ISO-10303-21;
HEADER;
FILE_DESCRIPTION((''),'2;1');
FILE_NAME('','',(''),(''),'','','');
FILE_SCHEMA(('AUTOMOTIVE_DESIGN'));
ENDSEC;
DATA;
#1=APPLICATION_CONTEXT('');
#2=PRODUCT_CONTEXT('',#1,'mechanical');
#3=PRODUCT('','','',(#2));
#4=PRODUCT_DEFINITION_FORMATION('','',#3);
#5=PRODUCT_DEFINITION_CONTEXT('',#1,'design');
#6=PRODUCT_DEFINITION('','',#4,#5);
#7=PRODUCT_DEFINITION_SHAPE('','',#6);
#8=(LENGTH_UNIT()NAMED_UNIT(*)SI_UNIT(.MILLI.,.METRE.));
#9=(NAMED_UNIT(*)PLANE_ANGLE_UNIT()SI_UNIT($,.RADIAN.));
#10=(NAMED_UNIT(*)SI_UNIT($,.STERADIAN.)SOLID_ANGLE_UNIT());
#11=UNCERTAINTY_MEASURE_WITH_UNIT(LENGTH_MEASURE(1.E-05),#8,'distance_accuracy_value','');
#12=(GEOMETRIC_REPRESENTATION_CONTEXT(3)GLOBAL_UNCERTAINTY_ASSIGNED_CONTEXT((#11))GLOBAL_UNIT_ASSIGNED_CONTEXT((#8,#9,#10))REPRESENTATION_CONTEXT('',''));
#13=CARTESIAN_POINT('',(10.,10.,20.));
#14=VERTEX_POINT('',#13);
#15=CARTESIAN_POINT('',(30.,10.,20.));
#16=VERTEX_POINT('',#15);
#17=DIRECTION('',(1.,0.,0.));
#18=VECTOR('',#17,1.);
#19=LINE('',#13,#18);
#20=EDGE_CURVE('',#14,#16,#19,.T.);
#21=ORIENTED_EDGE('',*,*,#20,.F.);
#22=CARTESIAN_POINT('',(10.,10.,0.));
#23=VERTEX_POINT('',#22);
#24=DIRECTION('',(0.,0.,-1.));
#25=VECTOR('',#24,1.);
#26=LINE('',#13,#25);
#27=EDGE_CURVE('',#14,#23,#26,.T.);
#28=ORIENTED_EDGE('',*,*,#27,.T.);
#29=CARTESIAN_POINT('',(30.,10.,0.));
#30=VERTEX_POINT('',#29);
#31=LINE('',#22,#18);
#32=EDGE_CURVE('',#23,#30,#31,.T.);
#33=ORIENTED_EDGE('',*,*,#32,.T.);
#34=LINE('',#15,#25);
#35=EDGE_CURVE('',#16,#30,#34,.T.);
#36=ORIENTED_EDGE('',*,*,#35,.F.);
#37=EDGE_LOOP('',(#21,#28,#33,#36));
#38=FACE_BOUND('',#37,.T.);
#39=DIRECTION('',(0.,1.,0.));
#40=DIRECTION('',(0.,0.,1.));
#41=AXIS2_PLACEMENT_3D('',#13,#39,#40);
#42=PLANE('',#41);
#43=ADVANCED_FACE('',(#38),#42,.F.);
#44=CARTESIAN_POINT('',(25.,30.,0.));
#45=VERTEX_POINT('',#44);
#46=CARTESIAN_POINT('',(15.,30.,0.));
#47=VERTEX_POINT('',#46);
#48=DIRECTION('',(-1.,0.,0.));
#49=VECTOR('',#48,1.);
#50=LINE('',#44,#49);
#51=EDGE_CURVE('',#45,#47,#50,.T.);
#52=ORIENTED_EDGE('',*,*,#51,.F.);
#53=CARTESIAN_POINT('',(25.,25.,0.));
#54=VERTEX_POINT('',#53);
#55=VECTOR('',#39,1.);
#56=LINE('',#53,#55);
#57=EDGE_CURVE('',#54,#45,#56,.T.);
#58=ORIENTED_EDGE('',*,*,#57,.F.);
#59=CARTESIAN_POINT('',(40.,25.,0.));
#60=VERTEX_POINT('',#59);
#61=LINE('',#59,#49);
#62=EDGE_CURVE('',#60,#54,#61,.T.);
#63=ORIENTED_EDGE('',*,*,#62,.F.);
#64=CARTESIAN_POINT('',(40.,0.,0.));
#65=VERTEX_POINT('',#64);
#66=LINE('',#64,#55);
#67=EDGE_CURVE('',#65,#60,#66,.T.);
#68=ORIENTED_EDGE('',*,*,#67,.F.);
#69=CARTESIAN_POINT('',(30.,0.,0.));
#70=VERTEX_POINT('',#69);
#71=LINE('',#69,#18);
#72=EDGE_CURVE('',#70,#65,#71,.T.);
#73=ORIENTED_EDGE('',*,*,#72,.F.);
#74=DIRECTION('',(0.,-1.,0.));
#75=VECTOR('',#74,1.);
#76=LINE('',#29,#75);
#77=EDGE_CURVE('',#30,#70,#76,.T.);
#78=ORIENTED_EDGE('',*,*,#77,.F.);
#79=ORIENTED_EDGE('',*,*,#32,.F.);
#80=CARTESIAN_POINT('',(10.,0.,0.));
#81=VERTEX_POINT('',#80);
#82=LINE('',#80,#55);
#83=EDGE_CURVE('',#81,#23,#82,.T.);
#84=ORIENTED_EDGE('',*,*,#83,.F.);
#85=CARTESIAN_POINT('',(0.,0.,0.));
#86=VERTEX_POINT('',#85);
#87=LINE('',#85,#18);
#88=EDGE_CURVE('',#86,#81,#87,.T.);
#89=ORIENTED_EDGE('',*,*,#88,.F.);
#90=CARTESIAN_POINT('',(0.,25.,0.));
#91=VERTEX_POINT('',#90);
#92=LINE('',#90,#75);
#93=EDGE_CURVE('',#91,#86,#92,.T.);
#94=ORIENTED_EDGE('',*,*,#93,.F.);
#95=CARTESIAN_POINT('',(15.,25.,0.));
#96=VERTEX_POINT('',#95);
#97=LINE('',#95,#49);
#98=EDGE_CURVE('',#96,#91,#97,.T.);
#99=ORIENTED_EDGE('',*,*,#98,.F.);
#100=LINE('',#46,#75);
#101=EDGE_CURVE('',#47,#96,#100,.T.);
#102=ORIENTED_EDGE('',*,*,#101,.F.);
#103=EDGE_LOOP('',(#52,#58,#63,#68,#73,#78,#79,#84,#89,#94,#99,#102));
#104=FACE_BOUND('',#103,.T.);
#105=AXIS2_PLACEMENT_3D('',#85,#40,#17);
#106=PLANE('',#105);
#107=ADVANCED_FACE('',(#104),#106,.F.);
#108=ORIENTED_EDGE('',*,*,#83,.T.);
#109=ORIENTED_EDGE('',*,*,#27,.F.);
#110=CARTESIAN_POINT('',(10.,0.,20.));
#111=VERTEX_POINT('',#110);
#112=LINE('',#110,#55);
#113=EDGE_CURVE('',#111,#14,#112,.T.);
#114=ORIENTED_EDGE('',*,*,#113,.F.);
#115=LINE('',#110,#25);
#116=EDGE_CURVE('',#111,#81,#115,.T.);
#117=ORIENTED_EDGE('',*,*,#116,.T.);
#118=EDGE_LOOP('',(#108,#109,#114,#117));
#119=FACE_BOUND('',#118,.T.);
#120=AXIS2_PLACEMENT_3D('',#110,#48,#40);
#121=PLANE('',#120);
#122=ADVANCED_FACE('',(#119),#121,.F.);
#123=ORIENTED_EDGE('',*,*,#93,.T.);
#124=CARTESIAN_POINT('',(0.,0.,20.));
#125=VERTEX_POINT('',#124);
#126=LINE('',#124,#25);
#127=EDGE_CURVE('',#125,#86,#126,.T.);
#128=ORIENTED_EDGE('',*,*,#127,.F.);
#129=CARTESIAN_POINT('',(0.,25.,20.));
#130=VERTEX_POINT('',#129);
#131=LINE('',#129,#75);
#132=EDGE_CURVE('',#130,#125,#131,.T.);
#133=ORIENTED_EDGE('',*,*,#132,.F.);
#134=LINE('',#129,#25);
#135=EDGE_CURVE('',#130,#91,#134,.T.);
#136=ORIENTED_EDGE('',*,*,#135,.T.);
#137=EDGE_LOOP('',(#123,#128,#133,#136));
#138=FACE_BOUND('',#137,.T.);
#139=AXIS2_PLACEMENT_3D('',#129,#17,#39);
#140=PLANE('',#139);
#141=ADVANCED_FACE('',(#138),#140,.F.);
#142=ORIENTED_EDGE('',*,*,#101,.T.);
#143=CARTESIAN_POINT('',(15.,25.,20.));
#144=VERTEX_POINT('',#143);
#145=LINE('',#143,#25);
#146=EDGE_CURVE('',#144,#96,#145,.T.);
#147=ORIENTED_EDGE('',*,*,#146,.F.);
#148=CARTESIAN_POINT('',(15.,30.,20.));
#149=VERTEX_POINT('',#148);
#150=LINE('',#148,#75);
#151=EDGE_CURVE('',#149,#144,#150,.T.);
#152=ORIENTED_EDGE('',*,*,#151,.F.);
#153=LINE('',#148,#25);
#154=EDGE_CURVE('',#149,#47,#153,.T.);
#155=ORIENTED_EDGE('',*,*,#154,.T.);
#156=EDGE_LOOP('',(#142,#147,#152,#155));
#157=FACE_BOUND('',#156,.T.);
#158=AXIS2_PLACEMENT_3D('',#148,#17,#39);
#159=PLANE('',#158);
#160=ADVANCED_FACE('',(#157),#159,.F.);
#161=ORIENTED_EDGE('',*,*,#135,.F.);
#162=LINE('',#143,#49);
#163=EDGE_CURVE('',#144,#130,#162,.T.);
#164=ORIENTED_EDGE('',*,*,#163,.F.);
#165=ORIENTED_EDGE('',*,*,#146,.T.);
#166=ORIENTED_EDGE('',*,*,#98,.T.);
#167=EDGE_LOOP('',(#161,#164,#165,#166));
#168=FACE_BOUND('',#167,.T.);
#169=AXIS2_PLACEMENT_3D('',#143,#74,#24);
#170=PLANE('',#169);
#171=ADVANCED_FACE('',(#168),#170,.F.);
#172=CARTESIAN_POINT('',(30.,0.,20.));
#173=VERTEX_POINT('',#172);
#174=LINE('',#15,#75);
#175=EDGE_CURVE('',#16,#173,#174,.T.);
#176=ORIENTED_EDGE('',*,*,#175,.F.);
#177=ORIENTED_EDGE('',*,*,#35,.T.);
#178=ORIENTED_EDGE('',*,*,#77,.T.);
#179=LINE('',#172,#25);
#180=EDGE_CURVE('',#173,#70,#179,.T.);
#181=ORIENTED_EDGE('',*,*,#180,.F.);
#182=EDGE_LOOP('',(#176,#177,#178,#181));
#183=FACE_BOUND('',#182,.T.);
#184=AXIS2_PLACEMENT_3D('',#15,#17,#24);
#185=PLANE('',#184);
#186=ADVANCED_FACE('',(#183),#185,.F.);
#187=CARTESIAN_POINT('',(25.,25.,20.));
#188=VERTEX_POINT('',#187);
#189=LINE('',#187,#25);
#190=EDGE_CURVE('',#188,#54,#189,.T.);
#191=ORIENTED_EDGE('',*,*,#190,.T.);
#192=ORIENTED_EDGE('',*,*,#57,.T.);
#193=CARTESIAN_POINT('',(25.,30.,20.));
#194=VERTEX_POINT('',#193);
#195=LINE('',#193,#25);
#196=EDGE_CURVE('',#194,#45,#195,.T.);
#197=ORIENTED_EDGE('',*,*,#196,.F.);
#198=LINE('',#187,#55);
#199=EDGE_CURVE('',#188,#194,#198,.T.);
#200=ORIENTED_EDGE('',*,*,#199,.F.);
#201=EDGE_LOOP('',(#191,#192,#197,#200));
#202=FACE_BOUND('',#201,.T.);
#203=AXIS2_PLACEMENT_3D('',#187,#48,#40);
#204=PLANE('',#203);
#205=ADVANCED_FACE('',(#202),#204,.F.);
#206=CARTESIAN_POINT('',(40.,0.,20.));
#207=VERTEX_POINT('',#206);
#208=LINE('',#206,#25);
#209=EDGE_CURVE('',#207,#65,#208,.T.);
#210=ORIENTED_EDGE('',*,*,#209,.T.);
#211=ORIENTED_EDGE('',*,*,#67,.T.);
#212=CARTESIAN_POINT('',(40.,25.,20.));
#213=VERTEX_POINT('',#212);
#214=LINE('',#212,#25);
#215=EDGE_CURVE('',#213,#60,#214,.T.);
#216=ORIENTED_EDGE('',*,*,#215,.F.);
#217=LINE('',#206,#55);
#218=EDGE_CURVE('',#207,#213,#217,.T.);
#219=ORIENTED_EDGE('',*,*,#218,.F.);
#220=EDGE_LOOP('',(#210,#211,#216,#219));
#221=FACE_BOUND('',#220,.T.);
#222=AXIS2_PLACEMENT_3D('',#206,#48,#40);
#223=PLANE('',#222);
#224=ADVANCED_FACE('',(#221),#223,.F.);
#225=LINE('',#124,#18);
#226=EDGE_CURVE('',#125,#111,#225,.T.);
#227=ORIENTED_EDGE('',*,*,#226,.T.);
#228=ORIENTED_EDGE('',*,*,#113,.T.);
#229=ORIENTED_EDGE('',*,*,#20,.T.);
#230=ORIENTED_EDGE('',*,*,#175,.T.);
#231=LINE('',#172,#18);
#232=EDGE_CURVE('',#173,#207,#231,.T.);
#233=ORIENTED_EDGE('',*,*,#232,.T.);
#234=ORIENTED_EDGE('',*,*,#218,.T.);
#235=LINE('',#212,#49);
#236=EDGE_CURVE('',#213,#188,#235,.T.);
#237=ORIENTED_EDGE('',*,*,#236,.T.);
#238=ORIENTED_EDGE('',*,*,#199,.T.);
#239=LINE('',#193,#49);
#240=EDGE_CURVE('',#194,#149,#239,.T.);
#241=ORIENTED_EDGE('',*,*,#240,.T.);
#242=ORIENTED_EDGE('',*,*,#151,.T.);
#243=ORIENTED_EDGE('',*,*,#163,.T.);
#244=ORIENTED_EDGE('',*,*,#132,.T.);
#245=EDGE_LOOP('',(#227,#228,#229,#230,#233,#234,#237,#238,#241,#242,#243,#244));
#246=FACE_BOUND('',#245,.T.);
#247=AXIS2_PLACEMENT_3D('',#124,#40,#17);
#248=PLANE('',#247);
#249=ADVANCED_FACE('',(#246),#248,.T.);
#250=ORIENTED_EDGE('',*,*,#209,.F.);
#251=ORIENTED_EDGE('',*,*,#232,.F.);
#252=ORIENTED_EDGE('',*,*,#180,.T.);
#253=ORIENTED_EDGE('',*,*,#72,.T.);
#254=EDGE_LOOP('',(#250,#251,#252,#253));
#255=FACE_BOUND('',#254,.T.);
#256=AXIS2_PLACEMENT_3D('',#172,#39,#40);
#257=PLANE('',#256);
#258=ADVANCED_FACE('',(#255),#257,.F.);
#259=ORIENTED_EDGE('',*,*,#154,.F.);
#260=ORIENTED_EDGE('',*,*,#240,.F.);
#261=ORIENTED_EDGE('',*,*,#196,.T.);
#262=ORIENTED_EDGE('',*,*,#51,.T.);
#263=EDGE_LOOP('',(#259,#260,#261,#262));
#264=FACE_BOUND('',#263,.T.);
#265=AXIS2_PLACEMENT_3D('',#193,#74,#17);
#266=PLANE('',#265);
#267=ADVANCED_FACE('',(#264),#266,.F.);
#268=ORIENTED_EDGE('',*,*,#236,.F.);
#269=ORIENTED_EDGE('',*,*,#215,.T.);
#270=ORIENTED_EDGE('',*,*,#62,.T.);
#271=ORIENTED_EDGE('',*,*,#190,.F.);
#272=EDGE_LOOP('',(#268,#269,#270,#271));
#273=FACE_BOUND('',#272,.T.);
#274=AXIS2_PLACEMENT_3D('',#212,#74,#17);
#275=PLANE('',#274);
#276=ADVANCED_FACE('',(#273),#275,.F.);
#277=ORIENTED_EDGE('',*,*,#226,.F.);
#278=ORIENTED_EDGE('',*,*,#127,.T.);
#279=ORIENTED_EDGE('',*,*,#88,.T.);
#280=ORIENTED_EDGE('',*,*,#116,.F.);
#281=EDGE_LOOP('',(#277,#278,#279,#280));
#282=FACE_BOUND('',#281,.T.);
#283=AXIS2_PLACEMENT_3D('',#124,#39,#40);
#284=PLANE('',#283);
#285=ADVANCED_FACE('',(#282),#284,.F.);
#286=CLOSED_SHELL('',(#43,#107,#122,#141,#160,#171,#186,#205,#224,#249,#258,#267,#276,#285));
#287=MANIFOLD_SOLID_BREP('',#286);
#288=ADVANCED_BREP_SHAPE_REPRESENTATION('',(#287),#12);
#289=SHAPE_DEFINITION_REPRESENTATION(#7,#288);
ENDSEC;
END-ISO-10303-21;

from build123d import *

# Parameters (mm, degrees)
BOSS_EXTRUDE1_DEPTH = 20


with BuildPart() as part:
    # Sketch1 → Boss-Extrude1 (new body)
    with BuildSketch(Plane.XY):
        Polygon((0, 0), (10, 0), (10, 10), (30, 10), (30, 0), (40, 0), (40, 25), (25, 25), (25, 30), (15, 30), (15, 25), (0, 25), align=None)
    extrude(amount=BOSS_EXTRUDE1_DEPTH)


solid = part.part
